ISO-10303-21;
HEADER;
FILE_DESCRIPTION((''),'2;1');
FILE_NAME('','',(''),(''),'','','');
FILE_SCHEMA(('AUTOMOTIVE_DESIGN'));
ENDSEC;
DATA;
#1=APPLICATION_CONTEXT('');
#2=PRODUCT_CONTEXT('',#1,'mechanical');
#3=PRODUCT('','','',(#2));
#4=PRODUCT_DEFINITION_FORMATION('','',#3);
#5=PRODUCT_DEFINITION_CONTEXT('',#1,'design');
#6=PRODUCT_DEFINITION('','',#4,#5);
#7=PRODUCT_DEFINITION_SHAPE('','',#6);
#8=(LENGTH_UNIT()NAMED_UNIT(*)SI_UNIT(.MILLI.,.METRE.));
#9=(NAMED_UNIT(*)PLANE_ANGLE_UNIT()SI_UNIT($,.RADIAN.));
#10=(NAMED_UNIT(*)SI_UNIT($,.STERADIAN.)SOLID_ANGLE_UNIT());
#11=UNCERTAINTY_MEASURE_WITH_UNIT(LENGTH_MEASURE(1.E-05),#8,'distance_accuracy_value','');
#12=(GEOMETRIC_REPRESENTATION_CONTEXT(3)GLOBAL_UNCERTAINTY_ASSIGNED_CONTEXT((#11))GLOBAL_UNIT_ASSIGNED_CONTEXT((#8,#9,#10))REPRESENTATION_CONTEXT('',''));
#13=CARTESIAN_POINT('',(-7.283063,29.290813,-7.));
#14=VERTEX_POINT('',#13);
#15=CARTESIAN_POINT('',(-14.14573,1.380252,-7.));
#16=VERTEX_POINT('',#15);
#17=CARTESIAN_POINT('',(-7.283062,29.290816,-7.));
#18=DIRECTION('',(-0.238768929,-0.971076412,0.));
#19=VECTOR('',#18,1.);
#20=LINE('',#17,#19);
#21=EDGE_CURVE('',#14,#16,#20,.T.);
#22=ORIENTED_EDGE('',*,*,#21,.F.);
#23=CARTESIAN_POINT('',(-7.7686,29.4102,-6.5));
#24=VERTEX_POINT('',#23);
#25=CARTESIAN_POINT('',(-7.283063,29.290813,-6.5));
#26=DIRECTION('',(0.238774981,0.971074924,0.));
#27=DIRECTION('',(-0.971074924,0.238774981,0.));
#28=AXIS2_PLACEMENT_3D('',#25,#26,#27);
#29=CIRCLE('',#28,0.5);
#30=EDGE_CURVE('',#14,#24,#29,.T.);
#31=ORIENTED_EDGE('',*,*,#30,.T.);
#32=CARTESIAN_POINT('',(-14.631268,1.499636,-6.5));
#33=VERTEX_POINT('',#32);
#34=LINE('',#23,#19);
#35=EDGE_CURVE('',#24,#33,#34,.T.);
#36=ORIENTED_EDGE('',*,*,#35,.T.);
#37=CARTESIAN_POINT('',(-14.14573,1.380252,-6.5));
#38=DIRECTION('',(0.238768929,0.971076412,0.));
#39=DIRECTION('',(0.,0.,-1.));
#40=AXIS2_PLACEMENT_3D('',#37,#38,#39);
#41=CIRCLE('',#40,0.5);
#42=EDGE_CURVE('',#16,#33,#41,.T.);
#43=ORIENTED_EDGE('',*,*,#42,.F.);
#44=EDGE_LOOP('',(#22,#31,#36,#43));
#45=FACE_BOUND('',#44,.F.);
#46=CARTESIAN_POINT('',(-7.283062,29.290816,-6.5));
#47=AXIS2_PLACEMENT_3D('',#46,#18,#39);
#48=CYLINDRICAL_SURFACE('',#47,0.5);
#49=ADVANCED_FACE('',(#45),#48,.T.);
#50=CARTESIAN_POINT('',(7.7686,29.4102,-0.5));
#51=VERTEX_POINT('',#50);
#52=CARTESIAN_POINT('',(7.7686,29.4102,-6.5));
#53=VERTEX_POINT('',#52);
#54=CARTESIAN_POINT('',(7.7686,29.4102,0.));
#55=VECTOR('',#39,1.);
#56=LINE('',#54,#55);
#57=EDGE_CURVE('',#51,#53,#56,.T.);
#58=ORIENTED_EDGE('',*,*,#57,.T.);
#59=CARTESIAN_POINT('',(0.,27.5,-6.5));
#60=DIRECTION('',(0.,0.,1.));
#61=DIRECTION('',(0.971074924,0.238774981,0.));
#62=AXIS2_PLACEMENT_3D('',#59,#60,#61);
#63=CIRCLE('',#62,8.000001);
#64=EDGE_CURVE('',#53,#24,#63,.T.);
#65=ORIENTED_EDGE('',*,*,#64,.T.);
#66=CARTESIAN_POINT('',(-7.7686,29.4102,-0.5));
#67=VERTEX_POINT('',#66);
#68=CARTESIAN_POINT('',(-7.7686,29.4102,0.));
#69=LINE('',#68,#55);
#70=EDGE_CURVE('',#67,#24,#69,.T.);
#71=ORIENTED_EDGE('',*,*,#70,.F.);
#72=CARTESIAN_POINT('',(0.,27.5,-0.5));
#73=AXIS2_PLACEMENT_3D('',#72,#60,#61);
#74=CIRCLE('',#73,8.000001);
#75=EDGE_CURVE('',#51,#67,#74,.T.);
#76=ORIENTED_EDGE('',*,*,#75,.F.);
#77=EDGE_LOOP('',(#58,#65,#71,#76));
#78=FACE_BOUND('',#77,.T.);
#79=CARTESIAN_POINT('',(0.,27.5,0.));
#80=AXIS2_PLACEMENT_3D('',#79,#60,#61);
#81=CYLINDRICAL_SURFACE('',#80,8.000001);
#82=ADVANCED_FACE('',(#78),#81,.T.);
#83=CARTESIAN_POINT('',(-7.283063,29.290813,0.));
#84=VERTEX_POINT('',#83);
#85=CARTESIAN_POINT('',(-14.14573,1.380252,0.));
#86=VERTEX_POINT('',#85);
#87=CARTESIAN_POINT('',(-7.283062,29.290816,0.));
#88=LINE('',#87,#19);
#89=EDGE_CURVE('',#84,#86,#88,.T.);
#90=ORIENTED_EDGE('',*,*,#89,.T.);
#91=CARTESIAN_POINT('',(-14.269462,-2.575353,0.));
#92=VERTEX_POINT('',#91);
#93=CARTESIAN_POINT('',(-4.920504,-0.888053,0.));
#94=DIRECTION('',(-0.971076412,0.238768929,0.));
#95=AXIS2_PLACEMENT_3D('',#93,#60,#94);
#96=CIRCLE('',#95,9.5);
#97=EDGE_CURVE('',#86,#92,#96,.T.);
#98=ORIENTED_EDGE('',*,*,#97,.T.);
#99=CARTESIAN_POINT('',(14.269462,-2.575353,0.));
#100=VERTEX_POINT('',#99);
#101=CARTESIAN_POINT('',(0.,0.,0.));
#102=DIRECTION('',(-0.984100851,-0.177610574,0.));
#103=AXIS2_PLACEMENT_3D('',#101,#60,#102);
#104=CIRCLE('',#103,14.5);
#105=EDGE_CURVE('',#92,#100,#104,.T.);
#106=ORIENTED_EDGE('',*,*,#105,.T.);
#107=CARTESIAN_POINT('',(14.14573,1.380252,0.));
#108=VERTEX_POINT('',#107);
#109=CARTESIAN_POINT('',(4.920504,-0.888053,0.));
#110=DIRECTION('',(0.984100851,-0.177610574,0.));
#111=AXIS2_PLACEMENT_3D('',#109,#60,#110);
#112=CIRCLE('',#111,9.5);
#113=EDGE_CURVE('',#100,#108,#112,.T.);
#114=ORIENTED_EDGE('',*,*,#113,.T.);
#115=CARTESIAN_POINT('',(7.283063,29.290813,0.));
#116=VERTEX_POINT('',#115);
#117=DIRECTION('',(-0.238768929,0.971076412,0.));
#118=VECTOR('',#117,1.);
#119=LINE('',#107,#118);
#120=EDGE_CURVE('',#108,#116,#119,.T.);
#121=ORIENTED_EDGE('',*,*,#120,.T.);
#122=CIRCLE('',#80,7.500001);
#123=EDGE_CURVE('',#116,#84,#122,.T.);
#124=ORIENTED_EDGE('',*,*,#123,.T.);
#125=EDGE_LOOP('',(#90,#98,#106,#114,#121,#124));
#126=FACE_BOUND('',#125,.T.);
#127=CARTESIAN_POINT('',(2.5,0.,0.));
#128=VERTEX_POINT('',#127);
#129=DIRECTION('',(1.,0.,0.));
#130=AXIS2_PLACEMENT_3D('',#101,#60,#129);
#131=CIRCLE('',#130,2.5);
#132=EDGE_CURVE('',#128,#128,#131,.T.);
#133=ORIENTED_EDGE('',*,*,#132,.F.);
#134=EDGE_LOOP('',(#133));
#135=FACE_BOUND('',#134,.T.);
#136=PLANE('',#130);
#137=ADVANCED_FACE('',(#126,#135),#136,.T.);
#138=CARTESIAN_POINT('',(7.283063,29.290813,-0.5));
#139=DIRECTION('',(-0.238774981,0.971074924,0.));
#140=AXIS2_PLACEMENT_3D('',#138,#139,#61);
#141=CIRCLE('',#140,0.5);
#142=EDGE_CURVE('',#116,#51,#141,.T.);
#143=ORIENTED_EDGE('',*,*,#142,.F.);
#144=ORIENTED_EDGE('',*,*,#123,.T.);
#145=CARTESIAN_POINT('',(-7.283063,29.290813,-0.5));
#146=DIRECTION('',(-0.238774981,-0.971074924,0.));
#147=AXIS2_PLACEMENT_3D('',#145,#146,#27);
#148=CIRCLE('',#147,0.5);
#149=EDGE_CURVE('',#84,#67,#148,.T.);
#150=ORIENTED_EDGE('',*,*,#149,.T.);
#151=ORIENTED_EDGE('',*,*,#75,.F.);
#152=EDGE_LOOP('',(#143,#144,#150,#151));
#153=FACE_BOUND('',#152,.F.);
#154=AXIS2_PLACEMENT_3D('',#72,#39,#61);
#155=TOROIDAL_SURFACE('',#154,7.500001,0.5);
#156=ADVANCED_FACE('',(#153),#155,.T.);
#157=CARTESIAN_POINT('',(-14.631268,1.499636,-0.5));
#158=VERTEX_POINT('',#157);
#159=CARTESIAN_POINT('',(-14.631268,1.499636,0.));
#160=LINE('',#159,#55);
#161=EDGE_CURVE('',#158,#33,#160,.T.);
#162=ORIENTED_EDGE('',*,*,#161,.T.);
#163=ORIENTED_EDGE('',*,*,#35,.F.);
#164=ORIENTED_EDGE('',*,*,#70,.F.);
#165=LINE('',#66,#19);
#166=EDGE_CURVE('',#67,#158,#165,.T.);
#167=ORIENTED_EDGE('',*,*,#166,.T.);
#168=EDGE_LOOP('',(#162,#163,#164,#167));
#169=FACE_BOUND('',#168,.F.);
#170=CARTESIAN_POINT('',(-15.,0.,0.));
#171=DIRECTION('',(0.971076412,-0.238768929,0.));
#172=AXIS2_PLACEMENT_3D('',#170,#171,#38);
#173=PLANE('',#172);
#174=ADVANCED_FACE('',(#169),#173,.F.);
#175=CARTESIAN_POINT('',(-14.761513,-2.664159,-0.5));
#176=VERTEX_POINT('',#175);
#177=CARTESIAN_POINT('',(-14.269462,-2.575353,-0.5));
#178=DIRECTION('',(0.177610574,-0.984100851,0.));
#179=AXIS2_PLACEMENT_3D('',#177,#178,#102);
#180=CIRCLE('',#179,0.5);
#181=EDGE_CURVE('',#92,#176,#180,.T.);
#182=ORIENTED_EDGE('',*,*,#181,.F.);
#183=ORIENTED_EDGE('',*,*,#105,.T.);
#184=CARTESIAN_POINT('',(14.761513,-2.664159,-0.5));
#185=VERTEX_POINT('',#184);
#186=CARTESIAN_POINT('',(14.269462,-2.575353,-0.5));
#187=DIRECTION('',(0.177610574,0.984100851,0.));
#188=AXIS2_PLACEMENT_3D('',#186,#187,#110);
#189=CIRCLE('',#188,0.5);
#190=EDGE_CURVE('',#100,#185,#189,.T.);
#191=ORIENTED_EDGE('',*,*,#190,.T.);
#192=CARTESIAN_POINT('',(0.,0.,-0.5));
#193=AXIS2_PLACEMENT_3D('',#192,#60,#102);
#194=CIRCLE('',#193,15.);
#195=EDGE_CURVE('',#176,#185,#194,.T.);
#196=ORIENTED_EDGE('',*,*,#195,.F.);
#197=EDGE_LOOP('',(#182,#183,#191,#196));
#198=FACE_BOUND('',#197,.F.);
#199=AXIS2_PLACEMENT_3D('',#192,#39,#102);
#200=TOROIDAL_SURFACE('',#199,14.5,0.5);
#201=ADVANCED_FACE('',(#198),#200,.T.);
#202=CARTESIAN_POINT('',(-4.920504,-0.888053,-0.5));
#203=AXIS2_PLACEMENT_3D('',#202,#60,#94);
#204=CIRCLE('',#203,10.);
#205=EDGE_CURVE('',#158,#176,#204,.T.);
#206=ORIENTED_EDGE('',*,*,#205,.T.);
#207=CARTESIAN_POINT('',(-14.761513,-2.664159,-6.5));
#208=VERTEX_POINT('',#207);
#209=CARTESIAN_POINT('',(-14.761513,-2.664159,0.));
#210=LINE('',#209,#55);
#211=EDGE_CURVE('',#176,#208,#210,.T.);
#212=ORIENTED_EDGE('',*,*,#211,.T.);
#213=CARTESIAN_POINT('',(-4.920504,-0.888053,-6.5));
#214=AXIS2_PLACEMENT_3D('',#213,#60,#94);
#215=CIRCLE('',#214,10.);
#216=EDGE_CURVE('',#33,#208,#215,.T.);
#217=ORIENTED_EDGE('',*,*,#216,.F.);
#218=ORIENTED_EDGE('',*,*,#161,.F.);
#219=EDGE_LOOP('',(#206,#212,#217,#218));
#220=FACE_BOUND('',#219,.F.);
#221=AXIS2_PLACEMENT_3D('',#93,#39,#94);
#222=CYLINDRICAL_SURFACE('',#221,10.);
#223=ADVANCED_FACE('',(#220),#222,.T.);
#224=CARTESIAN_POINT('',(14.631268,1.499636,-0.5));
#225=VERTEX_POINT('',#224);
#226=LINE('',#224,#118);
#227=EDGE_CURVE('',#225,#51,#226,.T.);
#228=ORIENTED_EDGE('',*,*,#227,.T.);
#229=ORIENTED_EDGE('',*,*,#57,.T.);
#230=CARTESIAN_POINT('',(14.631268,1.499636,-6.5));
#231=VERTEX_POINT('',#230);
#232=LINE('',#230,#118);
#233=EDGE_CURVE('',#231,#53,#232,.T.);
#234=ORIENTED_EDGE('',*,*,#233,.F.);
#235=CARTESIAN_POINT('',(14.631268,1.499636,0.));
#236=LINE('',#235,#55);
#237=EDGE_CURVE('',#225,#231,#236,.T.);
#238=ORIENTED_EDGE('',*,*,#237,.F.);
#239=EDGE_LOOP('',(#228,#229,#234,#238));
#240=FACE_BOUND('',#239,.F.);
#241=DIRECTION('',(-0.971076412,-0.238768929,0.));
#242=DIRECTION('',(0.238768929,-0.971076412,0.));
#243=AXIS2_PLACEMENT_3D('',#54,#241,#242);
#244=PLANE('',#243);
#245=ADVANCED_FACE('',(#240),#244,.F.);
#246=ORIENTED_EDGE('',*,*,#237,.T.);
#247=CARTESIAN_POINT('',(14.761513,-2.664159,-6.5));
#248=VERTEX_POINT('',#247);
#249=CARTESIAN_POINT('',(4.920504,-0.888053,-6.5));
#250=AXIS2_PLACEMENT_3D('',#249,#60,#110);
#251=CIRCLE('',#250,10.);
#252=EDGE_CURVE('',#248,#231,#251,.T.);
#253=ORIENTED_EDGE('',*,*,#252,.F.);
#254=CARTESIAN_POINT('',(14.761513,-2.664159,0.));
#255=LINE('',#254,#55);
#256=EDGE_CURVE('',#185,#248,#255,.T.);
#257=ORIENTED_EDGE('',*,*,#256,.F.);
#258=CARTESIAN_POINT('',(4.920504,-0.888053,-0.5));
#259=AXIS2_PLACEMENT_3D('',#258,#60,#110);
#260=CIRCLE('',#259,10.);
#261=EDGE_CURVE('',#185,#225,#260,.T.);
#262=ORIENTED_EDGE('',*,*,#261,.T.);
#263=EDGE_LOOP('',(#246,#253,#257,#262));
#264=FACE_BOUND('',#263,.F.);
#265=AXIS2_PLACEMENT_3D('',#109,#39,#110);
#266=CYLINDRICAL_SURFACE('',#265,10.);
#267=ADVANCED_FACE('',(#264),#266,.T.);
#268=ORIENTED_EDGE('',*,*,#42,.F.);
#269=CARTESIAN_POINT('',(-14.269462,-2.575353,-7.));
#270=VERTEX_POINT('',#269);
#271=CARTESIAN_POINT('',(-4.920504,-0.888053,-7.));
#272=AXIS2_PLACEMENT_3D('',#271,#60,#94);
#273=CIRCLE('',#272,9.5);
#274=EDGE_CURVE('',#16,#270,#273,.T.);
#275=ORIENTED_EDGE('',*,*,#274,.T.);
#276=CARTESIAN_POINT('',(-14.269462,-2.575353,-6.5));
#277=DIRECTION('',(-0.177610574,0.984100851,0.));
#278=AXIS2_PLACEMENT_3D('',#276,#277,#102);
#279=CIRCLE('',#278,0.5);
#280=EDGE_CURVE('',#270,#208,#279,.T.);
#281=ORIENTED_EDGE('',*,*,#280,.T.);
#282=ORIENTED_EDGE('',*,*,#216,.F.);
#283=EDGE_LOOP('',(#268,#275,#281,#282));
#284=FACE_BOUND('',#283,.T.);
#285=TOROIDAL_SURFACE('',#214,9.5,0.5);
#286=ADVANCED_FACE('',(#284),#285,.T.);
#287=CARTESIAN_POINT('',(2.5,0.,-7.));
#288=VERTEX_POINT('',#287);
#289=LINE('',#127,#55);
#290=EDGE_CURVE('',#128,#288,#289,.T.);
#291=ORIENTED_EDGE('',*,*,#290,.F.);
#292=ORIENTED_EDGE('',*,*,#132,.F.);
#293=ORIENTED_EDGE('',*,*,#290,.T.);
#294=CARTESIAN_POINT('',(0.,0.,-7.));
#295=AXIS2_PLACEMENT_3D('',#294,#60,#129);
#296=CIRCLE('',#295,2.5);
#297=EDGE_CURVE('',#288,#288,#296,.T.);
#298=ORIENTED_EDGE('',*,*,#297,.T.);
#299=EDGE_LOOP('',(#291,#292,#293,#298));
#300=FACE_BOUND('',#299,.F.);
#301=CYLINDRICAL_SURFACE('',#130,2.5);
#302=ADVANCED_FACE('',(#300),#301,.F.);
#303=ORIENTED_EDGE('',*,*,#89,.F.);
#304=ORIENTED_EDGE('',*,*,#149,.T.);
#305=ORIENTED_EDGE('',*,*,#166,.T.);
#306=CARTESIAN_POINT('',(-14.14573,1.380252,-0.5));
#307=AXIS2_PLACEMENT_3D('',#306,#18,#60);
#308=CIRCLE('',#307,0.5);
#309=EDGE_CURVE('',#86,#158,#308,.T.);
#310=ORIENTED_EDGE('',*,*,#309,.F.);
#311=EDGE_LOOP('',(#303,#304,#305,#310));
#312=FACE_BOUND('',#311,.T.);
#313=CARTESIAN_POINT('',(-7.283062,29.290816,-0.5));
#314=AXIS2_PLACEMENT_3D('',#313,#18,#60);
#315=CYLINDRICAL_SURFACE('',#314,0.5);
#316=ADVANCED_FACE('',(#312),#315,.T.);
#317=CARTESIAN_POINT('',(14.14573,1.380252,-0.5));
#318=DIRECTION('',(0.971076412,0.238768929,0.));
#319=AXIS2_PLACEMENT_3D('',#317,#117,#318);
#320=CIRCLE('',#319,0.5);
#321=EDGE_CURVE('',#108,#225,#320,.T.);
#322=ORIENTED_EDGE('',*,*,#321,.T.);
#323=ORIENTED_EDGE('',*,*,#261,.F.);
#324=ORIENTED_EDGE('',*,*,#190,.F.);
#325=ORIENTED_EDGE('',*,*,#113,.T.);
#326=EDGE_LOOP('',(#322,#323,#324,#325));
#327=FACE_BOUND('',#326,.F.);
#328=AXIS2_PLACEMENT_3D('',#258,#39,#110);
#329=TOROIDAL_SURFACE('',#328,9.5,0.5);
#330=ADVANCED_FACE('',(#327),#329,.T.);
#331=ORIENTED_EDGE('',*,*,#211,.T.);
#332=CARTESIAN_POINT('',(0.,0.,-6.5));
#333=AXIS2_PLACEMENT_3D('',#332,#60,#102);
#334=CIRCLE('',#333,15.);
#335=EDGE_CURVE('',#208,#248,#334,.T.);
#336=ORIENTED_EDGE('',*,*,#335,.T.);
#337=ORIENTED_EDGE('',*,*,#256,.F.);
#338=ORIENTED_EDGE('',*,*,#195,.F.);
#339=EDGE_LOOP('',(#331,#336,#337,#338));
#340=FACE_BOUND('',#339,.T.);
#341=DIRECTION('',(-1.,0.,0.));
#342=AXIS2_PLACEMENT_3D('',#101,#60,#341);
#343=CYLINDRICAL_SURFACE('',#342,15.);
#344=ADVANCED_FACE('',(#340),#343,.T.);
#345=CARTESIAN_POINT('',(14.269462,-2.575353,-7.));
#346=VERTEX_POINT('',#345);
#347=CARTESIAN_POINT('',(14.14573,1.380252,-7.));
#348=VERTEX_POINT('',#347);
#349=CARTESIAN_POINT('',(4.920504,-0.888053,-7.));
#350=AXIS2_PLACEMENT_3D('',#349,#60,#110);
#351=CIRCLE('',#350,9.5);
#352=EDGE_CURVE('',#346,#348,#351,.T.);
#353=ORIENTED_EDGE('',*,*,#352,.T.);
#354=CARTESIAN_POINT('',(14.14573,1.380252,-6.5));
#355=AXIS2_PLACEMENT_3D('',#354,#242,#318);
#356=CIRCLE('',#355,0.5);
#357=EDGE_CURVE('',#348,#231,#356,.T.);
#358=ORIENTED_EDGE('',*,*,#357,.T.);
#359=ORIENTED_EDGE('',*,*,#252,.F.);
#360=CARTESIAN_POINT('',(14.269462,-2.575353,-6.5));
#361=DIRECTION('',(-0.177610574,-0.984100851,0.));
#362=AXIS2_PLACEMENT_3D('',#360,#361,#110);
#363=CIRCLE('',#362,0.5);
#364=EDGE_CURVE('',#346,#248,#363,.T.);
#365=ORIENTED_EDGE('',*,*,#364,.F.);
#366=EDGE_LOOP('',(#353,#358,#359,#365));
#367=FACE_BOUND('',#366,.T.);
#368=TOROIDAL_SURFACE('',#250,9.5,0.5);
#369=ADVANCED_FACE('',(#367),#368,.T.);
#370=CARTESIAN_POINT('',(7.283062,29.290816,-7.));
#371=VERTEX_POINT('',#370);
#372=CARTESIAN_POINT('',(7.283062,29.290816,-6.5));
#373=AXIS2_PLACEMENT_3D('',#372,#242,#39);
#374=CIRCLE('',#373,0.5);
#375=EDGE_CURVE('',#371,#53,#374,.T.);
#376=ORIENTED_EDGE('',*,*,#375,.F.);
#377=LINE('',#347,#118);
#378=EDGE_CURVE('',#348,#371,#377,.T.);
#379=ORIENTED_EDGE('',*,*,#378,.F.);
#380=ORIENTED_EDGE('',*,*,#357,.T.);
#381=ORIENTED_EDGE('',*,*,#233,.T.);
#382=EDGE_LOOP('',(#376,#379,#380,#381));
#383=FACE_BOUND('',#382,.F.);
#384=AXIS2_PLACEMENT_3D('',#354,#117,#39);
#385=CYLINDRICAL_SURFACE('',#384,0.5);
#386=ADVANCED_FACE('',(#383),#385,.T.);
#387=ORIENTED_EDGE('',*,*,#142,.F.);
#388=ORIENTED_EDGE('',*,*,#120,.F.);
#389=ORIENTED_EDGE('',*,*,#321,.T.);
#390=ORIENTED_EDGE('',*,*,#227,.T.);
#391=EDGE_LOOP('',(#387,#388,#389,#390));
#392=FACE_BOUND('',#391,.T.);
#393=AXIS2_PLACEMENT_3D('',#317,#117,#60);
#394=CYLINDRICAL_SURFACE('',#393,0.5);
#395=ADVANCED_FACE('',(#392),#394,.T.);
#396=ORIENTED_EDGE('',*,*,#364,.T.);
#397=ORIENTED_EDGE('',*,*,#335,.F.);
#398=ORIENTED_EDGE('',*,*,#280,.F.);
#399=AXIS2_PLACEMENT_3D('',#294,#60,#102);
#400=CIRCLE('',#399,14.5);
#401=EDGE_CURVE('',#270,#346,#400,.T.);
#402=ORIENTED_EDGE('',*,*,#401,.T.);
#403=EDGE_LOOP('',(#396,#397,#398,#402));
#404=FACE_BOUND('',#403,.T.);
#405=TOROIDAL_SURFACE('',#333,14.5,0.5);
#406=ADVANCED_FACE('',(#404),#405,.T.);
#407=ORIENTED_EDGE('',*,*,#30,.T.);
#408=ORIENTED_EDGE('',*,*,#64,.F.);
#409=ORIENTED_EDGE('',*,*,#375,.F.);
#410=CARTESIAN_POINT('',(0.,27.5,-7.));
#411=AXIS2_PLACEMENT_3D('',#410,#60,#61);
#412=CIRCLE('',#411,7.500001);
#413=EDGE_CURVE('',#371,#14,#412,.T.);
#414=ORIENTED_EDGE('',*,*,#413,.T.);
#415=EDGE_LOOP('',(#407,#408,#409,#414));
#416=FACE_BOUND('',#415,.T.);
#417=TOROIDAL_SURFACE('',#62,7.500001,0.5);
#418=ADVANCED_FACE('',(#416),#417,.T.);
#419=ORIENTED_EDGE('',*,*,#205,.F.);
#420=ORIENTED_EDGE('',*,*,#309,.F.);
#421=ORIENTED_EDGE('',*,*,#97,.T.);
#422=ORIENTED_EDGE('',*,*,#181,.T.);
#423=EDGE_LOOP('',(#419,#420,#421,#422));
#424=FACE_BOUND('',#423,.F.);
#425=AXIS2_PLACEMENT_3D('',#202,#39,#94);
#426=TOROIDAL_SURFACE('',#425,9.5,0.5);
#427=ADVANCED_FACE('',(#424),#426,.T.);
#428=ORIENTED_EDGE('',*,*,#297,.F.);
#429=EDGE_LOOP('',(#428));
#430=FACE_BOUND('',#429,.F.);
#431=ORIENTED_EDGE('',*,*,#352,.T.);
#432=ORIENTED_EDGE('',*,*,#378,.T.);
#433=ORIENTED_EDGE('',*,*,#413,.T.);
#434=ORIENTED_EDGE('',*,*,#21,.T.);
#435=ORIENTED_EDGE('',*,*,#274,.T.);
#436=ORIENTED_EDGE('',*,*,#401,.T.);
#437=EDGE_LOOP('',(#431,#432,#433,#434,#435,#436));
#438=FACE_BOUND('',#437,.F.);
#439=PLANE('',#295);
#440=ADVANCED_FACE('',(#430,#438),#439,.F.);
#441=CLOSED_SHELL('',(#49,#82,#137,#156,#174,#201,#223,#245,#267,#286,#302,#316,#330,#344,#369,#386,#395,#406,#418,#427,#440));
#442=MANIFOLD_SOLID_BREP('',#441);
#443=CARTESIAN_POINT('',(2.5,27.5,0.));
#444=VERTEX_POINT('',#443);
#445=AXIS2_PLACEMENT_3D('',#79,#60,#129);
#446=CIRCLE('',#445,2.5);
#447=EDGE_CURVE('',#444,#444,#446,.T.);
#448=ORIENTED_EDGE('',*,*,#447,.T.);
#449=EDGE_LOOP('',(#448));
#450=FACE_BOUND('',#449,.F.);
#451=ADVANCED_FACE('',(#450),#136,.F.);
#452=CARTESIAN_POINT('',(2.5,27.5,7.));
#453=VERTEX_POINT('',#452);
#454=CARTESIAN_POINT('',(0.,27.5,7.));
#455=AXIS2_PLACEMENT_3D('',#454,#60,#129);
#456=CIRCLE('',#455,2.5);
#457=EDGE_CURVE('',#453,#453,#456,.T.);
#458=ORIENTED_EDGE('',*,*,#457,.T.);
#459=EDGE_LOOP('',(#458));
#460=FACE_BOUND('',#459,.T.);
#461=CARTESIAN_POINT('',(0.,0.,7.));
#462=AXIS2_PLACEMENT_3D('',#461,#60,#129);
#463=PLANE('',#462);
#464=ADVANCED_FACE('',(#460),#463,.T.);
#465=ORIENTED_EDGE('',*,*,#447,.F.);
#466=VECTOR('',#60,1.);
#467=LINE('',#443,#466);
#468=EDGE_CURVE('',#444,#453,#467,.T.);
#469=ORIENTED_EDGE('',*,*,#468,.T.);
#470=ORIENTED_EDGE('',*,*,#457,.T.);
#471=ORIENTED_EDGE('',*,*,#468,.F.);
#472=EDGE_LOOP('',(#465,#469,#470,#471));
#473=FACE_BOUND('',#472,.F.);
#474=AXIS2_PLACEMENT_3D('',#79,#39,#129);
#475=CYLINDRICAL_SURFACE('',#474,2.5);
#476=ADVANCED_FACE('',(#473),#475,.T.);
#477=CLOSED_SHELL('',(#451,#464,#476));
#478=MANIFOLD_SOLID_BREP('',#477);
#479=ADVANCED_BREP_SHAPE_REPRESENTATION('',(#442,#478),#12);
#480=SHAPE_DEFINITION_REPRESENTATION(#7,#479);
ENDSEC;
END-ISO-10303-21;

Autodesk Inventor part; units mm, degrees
ref_plane "YZ Plane" through (0, 0, 0) normal (1, 0, 0) x (0, 1, 0)
ref_plane "XZ Plane" through (0, 0, 0) normal (0, 1, 0) x (-1, 0, 0)
ref_plane "XY Plane" through (0, 0, 0) normal (0, 0, 1) x (1, 0, 0)
sketch "Sketch1" plane through (0, 0, 0) normal (0, 0, 1) x (1, 0, 0)
  line L0 (-15, 0) -> (15, 0) construction
  arc A0 (-15, 0) -> (15, 0) centre (0, 0) ccw
  line L1 (-15, 0) -> (-7.7686, 29.4102)
  arc A1 (7.7686, 29.4102) -> (-7.7686, 29.4102) centre (0, 27.5) ccw
  line L2 (7.7686, 29.4102) -> (15, 0)
  circle A2 centre (0, 0) radius 2.5
  circle A3 centre (0, 27.5) radius 2.5
  dimension "d0" = 8
  dimension "d1" = 15
  dimension "d2" = 27.5
  dimension "d3" = 5
  dimension "d10" = 5
extrude "Extrusion1" add sketch "Sketch1" against normal blind 7 contours L1 A1 L2 A0 | A3
fillet "Fillet1" radius 10 2 edges at (15, 0, -3.5) (-15, 0, -3.5)
fillet "Fillet2" radius 0.5 12 edges at (0, 35.5, 0) (-11.1999, 15.4549, 0) (-14.9156, -0.5754, 0) (0, -15, 0) (14.9156, -0.5754, 0) (11.1999, 15.4549, 0) (14.9156, -0.5754, -7) (0, -15, -7) (-14.9156, -0.5754, -7) (-11.1999, 15.4549, -7) (0, 35.5, -7) (11.1999, 15.4549, -7)
extrude "Extrusion2" add sketch "Sketch1" along normal blind 7 separate body contours A3
properties part number "202 part 1"
